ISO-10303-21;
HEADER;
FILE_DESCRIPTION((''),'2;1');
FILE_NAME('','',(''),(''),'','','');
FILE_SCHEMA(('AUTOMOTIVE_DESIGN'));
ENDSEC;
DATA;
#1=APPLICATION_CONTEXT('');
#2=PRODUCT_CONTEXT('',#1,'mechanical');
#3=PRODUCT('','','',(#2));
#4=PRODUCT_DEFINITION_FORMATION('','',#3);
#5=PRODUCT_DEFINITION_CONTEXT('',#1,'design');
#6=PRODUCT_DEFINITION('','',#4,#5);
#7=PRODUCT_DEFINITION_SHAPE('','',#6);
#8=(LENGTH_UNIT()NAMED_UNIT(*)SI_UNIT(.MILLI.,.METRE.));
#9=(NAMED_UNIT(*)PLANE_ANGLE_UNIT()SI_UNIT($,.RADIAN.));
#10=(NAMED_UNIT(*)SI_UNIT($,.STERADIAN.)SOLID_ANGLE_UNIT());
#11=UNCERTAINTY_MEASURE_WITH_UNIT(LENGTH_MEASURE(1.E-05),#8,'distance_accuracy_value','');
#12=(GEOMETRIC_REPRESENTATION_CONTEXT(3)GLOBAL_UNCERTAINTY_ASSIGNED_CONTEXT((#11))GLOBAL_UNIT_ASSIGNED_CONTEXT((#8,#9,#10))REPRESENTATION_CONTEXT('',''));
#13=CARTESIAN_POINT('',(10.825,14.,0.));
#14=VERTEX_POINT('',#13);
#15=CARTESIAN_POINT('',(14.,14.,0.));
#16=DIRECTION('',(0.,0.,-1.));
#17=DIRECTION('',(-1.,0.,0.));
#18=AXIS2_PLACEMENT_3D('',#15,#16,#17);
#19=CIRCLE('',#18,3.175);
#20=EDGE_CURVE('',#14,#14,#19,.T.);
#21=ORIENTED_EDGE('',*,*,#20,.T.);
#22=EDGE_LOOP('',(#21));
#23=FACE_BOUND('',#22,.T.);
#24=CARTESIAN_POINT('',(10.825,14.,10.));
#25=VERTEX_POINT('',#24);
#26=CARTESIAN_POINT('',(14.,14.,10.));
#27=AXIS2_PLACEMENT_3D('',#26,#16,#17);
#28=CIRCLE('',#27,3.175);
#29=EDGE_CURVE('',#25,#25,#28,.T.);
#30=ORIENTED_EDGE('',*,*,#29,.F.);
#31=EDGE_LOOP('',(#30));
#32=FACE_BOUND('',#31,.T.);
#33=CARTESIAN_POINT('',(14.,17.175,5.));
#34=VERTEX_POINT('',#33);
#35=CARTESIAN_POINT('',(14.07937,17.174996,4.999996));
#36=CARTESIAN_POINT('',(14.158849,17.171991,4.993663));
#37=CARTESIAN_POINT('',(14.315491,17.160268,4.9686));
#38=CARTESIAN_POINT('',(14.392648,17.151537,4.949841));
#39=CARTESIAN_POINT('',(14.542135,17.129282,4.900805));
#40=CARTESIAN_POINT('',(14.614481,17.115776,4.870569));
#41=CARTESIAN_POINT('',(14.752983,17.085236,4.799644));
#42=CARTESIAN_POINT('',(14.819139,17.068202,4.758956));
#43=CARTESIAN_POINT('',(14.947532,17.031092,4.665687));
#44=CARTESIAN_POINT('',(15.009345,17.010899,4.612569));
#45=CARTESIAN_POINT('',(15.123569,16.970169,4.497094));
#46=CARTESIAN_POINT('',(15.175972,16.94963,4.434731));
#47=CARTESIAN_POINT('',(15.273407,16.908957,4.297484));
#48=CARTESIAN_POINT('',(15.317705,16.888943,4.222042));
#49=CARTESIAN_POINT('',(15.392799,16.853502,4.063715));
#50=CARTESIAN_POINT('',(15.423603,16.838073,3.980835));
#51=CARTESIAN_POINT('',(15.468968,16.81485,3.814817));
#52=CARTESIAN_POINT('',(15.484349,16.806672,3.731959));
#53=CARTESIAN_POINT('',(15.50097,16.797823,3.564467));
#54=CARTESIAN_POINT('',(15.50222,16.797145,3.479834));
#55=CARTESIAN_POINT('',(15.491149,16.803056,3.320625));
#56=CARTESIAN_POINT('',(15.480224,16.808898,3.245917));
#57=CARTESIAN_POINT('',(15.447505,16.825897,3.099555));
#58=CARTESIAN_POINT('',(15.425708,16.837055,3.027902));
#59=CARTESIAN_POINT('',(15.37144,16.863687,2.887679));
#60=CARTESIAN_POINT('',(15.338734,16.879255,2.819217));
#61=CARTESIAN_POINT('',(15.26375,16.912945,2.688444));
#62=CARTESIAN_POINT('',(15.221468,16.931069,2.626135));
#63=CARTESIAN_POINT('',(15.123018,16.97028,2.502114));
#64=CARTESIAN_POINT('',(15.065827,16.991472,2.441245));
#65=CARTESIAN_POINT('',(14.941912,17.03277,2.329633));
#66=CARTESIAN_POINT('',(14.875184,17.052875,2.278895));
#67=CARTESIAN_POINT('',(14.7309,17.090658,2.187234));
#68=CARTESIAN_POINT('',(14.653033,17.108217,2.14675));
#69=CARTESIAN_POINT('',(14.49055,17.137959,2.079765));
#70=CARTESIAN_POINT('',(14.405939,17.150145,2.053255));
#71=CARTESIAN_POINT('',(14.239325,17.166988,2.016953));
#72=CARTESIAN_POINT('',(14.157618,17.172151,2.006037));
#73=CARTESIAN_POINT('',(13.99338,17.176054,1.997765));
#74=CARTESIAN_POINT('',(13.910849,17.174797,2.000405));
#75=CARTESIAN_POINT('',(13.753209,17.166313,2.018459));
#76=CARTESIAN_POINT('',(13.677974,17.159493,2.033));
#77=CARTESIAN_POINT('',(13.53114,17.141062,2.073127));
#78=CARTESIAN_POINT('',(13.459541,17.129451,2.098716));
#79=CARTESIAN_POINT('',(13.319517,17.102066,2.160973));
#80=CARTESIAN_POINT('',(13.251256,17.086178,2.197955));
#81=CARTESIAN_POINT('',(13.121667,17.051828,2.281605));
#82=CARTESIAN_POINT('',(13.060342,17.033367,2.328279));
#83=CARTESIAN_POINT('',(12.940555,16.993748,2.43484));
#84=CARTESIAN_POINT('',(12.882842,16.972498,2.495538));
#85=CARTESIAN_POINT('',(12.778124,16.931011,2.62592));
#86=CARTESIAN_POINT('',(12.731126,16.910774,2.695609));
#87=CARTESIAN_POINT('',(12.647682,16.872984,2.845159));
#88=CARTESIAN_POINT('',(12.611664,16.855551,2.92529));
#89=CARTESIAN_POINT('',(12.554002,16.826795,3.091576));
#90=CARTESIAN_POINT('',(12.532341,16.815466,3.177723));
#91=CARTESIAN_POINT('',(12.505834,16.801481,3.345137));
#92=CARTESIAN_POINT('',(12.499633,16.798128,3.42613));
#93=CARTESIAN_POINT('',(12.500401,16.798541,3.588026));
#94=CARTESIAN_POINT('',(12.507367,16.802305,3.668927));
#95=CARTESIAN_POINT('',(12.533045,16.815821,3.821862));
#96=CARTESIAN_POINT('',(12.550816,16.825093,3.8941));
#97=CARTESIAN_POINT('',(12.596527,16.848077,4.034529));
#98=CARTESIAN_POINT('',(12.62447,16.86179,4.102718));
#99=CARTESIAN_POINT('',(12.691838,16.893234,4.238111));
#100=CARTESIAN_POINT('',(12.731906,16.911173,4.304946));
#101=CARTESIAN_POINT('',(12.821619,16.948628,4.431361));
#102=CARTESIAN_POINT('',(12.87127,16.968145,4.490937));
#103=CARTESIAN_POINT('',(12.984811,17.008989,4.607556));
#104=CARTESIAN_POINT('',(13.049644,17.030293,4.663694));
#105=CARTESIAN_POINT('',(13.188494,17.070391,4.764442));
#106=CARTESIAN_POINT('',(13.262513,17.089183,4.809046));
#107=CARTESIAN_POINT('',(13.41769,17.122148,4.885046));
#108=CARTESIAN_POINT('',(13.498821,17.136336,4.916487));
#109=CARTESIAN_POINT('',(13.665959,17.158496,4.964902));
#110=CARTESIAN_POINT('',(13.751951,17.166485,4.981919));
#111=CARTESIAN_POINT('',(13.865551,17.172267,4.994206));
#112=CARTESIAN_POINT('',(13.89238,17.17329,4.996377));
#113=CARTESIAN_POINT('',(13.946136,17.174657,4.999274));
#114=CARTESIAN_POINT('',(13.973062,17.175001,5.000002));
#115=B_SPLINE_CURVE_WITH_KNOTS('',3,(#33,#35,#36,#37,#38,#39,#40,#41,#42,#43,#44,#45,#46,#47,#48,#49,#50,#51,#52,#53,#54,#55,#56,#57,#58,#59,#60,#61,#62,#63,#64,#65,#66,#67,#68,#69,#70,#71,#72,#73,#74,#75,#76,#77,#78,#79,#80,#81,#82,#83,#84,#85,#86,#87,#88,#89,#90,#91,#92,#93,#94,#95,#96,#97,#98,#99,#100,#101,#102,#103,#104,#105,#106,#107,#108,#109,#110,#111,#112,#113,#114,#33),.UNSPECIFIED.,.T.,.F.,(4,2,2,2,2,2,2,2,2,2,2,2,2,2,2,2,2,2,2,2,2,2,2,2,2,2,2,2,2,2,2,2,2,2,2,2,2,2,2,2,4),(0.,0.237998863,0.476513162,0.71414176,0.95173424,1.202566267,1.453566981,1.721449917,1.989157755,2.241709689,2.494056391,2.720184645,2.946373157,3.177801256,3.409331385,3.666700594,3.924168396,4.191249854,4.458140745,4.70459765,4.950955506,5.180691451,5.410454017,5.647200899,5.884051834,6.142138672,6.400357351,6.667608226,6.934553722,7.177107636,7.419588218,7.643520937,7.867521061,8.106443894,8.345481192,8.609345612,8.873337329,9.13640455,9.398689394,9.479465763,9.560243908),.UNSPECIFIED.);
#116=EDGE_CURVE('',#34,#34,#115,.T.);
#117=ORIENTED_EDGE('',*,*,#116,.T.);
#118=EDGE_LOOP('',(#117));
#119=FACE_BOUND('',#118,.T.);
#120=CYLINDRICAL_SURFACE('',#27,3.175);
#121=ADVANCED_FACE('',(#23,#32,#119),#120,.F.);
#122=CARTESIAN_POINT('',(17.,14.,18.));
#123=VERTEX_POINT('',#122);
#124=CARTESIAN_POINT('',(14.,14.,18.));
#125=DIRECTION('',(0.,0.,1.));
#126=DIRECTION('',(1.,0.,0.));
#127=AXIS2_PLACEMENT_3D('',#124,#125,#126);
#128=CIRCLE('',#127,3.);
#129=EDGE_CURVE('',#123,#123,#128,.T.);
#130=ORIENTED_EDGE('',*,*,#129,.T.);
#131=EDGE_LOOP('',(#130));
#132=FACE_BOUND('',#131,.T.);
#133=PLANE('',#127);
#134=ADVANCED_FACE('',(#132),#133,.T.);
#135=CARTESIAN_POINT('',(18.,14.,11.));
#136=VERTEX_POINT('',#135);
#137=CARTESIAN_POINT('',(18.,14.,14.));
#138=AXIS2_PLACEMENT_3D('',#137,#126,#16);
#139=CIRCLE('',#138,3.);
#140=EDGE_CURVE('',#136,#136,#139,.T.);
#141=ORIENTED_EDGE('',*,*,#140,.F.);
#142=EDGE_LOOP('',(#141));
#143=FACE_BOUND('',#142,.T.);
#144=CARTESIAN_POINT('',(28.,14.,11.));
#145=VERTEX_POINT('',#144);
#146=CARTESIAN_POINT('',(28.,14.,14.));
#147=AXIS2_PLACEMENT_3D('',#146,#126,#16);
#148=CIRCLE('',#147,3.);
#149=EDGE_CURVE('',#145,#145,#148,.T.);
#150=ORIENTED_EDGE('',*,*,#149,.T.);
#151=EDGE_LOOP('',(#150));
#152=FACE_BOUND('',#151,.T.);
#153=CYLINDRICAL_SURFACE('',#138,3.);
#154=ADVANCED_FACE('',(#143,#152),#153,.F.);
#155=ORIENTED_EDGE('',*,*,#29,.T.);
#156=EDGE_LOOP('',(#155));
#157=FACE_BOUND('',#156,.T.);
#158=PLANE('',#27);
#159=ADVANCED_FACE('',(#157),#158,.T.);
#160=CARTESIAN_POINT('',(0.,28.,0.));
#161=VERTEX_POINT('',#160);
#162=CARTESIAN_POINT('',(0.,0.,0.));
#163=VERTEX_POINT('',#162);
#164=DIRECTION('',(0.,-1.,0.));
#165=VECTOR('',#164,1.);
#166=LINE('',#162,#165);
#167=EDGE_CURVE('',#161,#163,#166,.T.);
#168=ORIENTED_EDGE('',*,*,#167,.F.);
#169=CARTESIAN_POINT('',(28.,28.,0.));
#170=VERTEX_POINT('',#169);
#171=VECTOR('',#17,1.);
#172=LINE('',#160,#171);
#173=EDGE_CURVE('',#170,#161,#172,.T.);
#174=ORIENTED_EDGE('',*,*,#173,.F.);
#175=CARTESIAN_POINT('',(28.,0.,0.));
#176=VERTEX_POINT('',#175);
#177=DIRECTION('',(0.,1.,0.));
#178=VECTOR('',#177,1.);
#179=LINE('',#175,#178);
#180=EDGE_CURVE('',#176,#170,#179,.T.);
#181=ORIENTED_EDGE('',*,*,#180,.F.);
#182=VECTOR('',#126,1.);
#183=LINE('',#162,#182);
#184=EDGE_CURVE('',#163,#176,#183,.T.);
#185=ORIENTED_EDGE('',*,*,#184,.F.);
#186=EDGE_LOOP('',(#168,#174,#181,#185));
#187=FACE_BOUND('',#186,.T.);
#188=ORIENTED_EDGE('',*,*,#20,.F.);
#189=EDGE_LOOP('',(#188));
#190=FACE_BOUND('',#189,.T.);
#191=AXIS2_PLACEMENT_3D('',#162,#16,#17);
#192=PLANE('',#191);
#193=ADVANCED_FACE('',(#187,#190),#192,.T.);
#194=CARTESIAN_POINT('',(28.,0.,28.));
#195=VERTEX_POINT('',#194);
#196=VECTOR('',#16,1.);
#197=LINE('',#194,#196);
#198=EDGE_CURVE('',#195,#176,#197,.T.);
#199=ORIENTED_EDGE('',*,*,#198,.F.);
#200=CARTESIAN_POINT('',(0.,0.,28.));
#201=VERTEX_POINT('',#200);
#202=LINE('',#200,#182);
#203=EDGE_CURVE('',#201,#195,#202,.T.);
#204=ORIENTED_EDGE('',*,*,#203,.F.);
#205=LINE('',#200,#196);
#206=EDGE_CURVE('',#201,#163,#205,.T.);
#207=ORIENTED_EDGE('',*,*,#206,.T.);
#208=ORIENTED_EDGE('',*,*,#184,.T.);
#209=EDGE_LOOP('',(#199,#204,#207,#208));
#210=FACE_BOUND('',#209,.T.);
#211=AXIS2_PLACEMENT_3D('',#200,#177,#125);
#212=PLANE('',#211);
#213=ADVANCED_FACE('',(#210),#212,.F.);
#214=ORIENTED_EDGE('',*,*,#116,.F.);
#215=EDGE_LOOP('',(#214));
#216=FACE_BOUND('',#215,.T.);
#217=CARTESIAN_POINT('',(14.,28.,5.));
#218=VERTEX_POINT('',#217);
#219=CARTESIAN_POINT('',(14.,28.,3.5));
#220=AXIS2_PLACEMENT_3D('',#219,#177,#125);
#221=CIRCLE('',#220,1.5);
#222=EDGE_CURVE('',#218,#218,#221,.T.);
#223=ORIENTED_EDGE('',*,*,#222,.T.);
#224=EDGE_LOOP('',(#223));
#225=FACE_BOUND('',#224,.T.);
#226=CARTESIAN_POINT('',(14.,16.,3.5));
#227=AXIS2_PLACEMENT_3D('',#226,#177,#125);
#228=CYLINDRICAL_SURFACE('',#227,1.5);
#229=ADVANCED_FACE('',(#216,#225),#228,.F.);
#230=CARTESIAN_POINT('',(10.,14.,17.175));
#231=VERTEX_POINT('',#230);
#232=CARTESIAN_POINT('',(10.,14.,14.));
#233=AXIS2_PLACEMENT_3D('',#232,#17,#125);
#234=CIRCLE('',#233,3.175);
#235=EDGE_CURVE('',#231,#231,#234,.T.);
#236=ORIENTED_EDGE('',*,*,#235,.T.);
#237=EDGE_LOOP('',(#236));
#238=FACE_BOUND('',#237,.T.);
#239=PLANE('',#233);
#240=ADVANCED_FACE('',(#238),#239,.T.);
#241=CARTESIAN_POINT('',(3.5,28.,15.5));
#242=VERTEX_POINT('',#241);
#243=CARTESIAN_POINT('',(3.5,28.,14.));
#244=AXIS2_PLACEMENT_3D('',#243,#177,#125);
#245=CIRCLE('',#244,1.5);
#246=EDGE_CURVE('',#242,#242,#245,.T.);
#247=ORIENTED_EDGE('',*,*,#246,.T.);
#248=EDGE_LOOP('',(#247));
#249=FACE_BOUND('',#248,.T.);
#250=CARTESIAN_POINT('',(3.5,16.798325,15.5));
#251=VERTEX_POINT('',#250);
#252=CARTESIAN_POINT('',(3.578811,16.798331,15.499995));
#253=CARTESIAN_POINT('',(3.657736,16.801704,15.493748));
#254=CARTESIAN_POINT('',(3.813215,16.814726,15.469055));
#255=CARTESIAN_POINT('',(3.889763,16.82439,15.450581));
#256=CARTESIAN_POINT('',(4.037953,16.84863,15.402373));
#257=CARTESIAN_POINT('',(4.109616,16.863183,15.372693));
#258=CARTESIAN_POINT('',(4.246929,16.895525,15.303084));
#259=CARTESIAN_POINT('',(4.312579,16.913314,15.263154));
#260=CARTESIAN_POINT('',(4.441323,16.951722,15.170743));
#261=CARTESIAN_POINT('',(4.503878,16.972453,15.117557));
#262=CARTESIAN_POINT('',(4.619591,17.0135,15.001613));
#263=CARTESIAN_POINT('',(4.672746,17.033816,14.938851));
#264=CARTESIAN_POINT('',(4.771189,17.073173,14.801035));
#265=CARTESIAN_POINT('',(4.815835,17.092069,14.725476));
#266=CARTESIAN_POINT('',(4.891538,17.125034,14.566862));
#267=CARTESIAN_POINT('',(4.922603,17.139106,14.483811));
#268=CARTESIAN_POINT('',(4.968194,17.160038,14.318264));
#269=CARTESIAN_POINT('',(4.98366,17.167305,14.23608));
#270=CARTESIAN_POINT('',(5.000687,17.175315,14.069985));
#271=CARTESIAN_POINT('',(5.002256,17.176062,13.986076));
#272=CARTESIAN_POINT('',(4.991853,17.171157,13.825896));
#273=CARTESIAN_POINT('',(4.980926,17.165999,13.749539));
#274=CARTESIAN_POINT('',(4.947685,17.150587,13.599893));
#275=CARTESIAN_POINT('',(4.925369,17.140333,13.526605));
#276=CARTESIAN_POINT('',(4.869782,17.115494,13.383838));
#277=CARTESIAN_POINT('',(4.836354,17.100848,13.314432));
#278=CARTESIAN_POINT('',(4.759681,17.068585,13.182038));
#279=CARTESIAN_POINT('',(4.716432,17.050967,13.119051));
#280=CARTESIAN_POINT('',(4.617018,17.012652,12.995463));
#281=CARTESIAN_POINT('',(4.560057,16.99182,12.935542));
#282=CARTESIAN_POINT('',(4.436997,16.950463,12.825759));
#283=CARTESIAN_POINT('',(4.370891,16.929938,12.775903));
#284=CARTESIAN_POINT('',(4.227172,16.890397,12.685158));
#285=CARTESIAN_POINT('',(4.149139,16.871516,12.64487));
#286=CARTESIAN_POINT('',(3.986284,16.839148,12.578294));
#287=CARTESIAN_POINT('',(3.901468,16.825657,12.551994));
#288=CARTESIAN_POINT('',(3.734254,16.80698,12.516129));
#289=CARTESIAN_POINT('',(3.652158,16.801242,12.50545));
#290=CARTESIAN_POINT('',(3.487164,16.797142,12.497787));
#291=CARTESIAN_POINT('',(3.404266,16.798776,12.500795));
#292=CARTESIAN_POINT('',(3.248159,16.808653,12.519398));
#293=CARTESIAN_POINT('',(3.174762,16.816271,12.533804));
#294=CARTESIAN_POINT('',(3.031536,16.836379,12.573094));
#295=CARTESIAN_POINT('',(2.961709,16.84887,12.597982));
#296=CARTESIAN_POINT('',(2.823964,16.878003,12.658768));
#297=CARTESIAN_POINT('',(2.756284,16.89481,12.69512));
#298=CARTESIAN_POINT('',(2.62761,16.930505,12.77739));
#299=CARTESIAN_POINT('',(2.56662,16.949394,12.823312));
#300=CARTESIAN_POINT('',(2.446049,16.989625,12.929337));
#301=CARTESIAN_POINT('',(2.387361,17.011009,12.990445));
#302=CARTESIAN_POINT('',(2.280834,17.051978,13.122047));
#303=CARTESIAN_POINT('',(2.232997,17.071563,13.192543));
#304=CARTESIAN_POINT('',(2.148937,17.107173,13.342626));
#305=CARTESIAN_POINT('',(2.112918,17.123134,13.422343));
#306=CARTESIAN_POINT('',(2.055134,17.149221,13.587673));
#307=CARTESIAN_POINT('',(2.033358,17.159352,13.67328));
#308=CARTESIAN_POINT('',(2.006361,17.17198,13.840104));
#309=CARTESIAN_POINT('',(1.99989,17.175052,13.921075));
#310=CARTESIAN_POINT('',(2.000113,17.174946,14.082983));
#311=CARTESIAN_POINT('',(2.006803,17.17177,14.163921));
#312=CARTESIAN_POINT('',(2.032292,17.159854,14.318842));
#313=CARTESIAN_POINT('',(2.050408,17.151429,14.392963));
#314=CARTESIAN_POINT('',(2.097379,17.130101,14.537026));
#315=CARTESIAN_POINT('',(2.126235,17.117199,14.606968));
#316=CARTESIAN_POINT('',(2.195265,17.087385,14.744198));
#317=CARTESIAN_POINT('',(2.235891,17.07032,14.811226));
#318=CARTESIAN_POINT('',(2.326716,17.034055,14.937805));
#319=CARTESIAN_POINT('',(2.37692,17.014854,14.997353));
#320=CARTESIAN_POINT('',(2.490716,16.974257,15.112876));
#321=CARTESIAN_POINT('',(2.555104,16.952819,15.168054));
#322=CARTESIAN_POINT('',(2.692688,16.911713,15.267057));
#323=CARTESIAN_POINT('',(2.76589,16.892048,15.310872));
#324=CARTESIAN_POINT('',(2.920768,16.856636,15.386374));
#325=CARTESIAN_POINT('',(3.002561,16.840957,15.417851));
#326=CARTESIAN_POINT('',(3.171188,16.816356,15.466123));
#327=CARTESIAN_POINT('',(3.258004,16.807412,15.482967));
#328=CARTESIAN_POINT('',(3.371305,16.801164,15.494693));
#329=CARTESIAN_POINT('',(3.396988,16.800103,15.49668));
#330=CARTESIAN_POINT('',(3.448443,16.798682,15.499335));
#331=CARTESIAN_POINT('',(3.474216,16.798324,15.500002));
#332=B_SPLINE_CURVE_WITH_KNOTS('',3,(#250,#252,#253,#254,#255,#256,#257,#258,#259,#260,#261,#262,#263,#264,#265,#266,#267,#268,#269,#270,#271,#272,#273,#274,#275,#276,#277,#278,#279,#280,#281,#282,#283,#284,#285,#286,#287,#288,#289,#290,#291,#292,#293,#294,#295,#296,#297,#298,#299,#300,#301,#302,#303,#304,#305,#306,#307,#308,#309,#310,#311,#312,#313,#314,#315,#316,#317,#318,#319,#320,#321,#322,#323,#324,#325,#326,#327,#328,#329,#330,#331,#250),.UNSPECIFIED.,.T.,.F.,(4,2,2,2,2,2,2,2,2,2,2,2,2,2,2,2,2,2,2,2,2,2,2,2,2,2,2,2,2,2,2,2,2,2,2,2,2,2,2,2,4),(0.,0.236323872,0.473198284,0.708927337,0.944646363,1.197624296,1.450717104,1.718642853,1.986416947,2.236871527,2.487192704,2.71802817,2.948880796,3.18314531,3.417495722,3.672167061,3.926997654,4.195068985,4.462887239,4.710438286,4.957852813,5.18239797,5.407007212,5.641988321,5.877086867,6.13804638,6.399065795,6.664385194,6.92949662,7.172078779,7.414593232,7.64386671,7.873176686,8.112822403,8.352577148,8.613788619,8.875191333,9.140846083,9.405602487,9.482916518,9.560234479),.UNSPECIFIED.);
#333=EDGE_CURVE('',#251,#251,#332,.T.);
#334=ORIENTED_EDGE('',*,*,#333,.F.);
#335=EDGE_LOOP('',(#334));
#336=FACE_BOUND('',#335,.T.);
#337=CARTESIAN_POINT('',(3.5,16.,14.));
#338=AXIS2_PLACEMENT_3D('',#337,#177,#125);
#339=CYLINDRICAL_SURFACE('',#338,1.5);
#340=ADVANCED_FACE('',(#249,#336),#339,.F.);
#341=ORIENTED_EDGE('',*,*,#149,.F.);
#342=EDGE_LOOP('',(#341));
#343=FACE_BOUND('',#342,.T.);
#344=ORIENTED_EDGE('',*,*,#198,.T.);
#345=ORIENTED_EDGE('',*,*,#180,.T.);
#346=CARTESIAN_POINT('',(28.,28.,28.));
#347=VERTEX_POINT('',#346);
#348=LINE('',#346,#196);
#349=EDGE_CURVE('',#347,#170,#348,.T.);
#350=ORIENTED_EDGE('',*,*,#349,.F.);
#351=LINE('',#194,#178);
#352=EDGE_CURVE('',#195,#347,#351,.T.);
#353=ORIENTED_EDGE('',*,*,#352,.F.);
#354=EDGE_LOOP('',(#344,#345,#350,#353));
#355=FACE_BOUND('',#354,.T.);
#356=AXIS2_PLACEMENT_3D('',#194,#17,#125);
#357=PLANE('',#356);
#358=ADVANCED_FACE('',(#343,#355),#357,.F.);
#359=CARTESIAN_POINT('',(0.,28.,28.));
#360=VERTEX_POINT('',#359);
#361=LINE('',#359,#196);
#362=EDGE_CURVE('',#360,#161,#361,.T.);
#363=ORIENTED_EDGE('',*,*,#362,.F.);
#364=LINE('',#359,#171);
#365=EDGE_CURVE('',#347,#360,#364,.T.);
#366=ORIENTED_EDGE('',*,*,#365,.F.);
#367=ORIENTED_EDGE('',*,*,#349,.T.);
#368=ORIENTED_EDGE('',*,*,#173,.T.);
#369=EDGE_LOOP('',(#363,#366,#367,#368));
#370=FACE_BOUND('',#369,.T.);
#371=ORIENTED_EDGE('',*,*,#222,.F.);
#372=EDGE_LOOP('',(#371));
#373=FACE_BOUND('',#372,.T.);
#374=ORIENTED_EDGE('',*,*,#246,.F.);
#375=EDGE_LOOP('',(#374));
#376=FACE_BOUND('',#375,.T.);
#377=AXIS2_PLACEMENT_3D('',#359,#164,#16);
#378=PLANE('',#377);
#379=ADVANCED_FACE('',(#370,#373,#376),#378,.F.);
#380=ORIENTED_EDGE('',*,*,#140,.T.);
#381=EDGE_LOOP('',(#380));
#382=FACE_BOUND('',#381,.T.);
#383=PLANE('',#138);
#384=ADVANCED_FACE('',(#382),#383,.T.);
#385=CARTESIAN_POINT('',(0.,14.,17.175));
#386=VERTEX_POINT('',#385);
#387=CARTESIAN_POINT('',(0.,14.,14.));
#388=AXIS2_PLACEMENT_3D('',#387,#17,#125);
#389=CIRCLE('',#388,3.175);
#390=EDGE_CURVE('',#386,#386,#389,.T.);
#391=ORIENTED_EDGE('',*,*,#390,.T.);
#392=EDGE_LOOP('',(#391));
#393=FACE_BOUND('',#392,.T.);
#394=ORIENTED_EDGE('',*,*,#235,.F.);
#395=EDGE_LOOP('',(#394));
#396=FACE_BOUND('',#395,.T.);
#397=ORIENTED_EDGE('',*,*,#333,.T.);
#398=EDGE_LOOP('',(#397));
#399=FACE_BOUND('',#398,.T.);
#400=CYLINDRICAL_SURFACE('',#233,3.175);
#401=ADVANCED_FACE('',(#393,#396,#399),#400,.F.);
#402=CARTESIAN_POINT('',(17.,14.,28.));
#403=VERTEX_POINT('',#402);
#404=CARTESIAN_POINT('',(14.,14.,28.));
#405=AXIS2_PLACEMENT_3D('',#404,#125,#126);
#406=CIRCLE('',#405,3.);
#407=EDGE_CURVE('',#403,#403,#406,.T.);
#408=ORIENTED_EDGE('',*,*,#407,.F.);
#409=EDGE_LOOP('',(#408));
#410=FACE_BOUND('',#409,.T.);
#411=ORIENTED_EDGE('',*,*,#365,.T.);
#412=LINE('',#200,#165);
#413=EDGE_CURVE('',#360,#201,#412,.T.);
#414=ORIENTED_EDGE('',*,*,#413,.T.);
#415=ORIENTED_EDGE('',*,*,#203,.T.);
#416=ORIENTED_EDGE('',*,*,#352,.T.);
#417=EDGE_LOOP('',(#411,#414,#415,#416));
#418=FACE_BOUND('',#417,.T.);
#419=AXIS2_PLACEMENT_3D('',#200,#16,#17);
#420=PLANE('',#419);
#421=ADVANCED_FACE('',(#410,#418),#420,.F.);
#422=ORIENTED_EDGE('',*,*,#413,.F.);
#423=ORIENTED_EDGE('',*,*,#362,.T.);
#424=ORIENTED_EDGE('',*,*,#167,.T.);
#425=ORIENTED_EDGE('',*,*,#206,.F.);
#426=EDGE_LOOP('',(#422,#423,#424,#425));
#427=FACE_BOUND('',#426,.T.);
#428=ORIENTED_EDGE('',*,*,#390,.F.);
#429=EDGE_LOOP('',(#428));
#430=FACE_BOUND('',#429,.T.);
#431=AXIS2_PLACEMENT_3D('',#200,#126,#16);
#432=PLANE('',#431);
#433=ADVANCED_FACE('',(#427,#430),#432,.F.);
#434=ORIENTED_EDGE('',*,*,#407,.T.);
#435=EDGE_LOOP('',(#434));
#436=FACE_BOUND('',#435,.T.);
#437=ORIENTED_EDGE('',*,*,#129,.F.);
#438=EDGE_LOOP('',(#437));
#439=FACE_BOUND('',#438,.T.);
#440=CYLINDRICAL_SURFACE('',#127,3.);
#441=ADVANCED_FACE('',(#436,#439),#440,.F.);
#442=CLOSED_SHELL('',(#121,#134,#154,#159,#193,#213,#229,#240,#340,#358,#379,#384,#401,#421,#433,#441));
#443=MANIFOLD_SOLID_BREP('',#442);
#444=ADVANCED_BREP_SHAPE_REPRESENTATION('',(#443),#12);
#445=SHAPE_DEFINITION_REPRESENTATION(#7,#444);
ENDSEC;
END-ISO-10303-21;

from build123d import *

# Parameters (mm, degrees)
CROQUIS1_W              = 28
CROQUIS1_H              = 28
SALIENTE_EXTRUIR1_DEPTH = 28
CROQUIS4_R              = 3.175
CORTAR_EXTRUIR3_DEPTH   = 10
CROQUIS6_R              = 3
CORTAR_EXTRUIR4_DEPTH   = 10
CROQUIS8_R              = 3.175
CORTAR_EXTRUIR5_DEPTH   = 10
CROQUIS9_R              = 3
CORTAR_EXTRUIR6_DEPTH   = 10
CROQUIS10_R             = 1.5
CORTAR_EXTRUIR7_DEPTH   = 12


with BuildPart() as part:
    # Croquis1 → Saliente-Extruir1 (new body)
    with BuildSketch(Plane.XY):
        with Locations((14, 14)):
            Rectangle(CROQUIS1_W, CROQUIS1_H)
    extrude(amount=SALIENTE_EXTRUIR1_DEPTH)

    # Croquis4 → Cortar-Extruir3 (cut)
    with BuildSketch(Plane.ZY):
        with Locations((14, 14)):
            Circle(CROQUIS4_R)
    extrude(amount=-CORTAR_EXTRUIR3_DEPTH, mode=Mode.SUBTRACT)

    # Croquis6 → Cortar-Extruir4 (cut)
    with BuildSketch(Plane(origin=(28, 0, 0), x_dir=(0, 0, -1), z_dir=(1, 0, 0))):
        with Locations((-14, 14)):
            Circle(CROQUIS6_R)
    extrude(amount=-CORTAR_EXTRUIR4_DEPTH, mode=Mode.SUBTRACT)

    # Croquis8 → Cortar-Extruir5 (cut)
    with BuildSketch(Plane(origin=(0, 0, 0), x_dir=(-1, 0, 0), z_dir=(0, 0, -1))):
        with Locations((-14, 14)):
            Circle(CROQUIS8_R)
    extrude(amount=-CORTAR_EXTRUIR5_DEPTH, mode=Mode.SUBTRACT)

    # Croquis9 → Cortar-Extruir6 (cut)
    with BuildSketch(Plane.XY.offset(28)):
        with Locations((14, 14)):
            Circle(CROQUIS9_R)
    extrude(amount=-CORTAR_EXTRUIR6_DEPTH, mode=Mode.SUBTRACT)

    # Croquis10 → Cortar-Extruir7 (cut)
    with BuildSketch(Plane(origin=(0, 28, 0), x_dir=(1, 0, 0), z_dir=(0, 1, 0))):
        with Locations((3.5, -14)):
            Circle(CROQUIS10_R)
        with Locations((14, -3.5)):
            Circle(CROQUIS10_R)
    extrude(amount=-CORTAR_EXTRUIR7_DEPTH, mode=Mode.SUBTRACT)


solid = part.part
